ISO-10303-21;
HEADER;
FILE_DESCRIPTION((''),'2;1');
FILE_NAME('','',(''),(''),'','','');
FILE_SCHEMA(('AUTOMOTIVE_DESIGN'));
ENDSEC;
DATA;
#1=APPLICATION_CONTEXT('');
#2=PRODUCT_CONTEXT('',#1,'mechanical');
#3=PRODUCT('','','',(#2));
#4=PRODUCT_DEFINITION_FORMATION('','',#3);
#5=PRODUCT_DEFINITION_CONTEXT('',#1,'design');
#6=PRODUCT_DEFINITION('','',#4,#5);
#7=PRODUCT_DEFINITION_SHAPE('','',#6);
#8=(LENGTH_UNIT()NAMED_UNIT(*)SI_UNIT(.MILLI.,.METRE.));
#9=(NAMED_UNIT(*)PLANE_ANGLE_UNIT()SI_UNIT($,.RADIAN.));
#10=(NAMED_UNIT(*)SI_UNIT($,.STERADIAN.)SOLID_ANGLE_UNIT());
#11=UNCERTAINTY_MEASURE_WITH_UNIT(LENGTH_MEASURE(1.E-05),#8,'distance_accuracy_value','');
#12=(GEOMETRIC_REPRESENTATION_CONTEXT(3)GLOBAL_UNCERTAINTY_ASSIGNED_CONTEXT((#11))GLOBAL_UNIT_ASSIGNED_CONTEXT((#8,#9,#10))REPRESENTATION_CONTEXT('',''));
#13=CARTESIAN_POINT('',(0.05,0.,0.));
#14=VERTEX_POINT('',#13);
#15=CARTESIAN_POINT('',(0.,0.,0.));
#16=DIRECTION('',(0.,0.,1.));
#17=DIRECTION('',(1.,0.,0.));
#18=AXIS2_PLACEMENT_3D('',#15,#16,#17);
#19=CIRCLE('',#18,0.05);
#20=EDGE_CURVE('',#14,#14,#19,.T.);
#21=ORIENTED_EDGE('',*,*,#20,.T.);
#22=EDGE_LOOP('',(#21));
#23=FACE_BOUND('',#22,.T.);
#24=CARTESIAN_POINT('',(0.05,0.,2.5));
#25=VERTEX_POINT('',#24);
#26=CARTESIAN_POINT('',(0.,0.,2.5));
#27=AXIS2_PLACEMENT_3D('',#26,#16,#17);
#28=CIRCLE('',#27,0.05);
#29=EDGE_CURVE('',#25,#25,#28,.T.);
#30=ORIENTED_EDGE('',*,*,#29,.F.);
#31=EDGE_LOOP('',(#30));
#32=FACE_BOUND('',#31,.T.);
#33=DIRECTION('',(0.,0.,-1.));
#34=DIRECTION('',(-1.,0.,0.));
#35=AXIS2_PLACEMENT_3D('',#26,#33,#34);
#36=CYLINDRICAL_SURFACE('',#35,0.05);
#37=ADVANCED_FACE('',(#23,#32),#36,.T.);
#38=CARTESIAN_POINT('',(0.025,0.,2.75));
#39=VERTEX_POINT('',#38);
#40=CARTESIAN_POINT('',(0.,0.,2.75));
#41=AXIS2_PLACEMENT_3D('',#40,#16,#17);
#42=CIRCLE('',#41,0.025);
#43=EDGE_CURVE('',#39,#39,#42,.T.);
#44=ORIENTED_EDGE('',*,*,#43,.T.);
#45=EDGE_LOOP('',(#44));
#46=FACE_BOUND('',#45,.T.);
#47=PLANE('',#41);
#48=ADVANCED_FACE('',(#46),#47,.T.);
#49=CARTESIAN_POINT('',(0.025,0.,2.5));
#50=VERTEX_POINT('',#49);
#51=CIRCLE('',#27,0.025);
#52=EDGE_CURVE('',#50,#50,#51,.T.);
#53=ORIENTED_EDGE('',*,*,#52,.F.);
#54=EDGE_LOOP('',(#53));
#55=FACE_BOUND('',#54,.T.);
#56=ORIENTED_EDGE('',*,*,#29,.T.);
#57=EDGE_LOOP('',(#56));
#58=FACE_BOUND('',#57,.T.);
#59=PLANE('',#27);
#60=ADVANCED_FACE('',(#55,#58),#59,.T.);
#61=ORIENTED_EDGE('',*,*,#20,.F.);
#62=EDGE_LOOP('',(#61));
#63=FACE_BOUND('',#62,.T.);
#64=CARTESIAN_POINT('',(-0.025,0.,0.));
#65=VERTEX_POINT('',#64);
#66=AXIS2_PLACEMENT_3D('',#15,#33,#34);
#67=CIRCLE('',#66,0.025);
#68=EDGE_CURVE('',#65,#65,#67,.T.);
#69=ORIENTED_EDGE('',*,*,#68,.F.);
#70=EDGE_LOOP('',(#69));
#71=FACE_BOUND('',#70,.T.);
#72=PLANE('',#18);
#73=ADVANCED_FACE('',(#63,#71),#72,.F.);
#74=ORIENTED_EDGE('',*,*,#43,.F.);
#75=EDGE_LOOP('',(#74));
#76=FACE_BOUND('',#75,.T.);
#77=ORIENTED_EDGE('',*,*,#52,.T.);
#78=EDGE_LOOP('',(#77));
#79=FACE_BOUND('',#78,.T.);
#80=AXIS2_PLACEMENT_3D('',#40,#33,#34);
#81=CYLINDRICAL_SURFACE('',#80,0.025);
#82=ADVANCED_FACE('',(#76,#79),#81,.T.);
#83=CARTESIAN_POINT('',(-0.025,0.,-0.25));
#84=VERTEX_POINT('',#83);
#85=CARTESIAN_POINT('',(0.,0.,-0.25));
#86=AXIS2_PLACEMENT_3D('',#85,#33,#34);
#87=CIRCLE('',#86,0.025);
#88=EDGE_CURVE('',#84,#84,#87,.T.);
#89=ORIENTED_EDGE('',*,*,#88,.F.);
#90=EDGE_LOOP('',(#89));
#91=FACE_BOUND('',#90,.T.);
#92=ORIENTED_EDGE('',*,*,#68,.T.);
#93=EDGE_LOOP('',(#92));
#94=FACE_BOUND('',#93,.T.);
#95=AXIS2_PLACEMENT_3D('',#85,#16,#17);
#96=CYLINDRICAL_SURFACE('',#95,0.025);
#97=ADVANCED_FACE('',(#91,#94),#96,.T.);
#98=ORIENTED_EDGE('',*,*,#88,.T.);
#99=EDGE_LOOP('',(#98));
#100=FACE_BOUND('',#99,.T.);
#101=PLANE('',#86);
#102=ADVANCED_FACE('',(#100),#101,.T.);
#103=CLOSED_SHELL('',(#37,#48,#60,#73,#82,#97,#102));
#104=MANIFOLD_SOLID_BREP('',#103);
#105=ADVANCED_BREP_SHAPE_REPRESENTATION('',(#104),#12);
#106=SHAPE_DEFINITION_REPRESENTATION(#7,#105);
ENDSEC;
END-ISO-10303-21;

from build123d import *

# Parameters (mm, degrees)
CROQUIS1_R              = 0.05
SALIENTE_EXTRUIR1_DEPTH = 2.5
CROQUIS2_R              = 0.025
SALIENTE_EXTRUIR3_DEPTH = 0.25
SALIENTE_EXTRUIR4_START = 0.25
CROQUIS3_R              = 0.025
SALIENTE_EXTRUIR4_DEPTH = 0.25


with BuildPart() as part:
    # Croquis1 → Saliente-Extruir1 (new body)
    with BuildSketch(Plane.XY):
        Circle(CROQUIS1_R)
    extrude(amount=SALIENTE_EXTRUIR1_DEPTH)

    # Croquis2 → Saliente-Extruir3 (add)
    with BuildSketch(Plane.XY.offset(2.5)):
        Circle(CROQUIS2_R)
    extrude(amount=SALIENTE_EXTRUIR3_DEPTH)

    # Croquis3 → Saliente-Extruir4 (add)
    with BuildSketch(Plane(origin=(0, 0, 0), x_dir=(-1, 0, 0), z_dir=(0, 0, -1)).offset(SALIENTE_EXTRUIR4_START)):
        with Locations(Location((0, 0, 0), (0, 0, 180))):
            Circle(CROQUIS3_R)
    extrude(amount=-SALIENTE_EXTRUIR4_DEPTH)


solid = part.part
